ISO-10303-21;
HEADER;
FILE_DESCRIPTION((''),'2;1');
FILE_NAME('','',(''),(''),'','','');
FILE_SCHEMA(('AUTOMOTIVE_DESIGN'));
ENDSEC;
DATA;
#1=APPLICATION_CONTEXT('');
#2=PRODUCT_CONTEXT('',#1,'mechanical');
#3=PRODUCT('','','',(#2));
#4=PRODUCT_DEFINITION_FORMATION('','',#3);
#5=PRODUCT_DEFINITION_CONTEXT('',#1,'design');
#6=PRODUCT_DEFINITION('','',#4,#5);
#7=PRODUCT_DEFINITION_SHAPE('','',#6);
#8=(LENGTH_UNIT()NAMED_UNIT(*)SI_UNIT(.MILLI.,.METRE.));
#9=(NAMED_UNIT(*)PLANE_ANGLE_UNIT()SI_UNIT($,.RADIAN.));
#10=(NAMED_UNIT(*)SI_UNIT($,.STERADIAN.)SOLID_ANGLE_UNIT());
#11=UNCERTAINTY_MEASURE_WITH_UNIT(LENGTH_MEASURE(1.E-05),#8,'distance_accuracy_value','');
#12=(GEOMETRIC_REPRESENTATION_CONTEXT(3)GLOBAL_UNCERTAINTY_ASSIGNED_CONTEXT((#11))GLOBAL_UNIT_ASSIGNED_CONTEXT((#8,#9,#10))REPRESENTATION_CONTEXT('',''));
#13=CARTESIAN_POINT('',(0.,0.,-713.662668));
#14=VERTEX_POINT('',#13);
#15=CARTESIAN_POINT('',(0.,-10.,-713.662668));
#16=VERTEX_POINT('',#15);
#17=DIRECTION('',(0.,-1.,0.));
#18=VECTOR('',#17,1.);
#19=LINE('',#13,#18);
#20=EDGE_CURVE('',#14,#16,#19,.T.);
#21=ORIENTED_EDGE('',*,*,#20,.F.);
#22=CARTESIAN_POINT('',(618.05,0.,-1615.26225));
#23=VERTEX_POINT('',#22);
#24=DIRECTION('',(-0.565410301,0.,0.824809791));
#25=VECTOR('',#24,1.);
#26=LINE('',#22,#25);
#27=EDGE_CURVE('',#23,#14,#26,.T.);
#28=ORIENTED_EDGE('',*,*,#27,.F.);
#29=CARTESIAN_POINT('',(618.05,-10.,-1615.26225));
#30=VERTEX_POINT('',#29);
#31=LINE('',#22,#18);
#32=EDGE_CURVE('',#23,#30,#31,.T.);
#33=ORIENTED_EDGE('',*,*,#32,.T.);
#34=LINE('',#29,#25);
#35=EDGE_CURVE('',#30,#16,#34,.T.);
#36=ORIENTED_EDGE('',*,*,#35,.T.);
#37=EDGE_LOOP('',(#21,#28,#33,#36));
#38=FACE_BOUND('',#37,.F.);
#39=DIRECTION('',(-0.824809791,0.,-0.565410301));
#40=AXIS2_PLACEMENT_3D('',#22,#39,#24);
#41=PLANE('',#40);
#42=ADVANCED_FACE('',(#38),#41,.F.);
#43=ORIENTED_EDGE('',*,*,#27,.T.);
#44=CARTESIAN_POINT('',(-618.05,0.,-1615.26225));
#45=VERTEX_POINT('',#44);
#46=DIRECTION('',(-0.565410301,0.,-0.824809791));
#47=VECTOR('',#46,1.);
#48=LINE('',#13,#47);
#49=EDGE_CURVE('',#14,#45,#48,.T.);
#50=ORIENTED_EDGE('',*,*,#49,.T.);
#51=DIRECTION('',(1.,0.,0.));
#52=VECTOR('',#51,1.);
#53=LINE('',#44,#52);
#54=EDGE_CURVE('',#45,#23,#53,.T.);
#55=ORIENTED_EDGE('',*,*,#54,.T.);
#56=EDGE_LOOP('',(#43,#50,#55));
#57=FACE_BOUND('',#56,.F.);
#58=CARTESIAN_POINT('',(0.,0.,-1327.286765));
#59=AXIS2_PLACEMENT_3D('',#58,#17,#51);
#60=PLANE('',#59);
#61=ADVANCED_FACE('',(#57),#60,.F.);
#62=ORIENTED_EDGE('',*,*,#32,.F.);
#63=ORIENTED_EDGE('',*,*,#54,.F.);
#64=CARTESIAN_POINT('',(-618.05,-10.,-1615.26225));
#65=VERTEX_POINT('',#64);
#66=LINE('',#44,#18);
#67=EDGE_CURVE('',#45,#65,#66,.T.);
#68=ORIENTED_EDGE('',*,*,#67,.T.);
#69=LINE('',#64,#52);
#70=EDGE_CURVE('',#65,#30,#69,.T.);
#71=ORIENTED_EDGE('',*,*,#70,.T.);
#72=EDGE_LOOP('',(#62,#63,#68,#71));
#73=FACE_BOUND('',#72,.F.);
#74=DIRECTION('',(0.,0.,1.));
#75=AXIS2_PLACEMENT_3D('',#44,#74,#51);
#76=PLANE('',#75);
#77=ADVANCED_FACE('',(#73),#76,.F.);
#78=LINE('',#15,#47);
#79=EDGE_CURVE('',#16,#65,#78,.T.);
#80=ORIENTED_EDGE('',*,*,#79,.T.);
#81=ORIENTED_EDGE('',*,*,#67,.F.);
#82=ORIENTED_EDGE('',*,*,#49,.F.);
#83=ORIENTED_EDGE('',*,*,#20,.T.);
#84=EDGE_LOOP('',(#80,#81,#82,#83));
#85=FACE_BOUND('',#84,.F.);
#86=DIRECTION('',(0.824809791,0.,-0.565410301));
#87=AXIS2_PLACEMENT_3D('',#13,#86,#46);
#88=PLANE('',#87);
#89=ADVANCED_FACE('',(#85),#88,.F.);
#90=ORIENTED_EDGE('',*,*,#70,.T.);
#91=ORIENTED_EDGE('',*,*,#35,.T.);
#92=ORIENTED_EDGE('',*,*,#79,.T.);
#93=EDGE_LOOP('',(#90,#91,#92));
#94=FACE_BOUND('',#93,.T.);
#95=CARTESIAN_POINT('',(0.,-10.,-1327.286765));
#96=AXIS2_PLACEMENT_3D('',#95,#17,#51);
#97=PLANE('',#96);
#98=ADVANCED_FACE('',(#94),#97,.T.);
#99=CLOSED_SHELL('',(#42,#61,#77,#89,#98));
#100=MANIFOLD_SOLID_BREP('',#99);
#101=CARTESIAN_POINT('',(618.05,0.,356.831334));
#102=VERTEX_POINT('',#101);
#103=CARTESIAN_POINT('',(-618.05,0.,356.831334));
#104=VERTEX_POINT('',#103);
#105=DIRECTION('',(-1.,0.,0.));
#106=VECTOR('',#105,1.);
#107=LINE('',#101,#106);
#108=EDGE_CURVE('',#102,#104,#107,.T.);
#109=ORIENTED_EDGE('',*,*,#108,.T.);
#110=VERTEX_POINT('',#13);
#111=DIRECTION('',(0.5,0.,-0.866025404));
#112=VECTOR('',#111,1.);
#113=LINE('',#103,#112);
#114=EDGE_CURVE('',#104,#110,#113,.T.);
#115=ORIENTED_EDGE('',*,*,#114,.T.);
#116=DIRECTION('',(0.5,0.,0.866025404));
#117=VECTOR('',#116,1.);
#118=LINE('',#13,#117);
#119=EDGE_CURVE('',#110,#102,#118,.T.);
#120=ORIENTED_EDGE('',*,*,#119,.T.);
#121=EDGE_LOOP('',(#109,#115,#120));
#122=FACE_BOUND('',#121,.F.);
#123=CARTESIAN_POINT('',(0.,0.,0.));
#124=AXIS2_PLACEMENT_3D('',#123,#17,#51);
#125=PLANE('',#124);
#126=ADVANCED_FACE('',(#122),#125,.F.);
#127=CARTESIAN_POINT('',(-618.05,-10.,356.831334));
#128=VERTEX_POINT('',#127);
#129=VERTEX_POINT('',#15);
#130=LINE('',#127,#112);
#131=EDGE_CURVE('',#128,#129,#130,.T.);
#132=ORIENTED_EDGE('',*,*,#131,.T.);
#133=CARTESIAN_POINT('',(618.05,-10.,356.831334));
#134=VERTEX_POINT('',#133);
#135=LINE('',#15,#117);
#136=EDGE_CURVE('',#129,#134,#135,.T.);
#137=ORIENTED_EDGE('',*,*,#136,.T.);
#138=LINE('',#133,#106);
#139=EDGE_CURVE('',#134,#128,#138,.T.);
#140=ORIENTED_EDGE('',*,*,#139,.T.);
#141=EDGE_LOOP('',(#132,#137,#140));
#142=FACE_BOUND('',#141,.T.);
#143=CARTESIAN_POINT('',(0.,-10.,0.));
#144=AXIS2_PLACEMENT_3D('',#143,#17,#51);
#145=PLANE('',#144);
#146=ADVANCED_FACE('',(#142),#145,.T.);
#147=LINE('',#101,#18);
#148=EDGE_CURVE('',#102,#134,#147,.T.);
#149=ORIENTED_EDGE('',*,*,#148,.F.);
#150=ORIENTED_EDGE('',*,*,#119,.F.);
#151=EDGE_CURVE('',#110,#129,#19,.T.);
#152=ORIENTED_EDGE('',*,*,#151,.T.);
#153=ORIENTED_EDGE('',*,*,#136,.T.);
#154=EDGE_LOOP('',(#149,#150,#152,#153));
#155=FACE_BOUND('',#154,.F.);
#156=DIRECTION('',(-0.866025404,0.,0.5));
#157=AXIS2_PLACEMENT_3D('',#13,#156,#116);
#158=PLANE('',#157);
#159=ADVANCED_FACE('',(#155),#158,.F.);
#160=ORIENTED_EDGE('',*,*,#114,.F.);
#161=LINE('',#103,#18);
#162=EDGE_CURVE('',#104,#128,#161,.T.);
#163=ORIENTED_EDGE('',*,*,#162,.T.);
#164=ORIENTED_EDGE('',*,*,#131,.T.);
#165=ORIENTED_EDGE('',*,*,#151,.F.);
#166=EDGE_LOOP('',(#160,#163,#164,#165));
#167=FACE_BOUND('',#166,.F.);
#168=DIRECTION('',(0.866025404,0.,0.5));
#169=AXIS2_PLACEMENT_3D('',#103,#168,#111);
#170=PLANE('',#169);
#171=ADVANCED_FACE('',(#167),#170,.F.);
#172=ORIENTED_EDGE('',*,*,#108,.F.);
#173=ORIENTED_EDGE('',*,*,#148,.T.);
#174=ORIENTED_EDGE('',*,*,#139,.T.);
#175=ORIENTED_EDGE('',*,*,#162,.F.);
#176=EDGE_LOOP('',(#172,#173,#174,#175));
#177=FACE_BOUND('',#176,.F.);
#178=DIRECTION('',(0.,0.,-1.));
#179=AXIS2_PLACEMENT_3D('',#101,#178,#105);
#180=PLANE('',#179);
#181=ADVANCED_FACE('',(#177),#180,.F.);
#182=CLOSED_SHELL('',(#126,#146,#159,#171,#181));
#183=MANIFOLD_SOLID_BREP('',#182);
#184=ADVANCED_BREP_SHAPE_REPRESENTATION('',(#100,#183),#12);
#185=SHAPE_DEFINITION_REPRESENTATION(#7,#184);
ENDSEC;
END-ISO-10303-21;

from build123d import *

# Parameters (mm, degrees)
F2_DEPTH = 10
F4_DEPTH = 10


with BuildPart() as f2:
    # F1 (on Front) → F2 (new body)
    with BuildSketch(Plane.XZ):
        Polygon((0, -713.6626677453), (618.05, 356.8313338726), (-618.05, 356.8313338726), align=None)
    extrude(amount=F2_DEPTH)


with BuildPart() as f4:
    # F3 (on Front) → F4 (new body)
    with BuildSketch(Plane.XZ):
        Polygon((0, -713.6626677453), (-618.05, -1615.2622504315), (618.05, -1615.2622504315), align=None)
    extrude(amount=F4_DEPTH)


solid = Compound([f2.part, f4.part])
